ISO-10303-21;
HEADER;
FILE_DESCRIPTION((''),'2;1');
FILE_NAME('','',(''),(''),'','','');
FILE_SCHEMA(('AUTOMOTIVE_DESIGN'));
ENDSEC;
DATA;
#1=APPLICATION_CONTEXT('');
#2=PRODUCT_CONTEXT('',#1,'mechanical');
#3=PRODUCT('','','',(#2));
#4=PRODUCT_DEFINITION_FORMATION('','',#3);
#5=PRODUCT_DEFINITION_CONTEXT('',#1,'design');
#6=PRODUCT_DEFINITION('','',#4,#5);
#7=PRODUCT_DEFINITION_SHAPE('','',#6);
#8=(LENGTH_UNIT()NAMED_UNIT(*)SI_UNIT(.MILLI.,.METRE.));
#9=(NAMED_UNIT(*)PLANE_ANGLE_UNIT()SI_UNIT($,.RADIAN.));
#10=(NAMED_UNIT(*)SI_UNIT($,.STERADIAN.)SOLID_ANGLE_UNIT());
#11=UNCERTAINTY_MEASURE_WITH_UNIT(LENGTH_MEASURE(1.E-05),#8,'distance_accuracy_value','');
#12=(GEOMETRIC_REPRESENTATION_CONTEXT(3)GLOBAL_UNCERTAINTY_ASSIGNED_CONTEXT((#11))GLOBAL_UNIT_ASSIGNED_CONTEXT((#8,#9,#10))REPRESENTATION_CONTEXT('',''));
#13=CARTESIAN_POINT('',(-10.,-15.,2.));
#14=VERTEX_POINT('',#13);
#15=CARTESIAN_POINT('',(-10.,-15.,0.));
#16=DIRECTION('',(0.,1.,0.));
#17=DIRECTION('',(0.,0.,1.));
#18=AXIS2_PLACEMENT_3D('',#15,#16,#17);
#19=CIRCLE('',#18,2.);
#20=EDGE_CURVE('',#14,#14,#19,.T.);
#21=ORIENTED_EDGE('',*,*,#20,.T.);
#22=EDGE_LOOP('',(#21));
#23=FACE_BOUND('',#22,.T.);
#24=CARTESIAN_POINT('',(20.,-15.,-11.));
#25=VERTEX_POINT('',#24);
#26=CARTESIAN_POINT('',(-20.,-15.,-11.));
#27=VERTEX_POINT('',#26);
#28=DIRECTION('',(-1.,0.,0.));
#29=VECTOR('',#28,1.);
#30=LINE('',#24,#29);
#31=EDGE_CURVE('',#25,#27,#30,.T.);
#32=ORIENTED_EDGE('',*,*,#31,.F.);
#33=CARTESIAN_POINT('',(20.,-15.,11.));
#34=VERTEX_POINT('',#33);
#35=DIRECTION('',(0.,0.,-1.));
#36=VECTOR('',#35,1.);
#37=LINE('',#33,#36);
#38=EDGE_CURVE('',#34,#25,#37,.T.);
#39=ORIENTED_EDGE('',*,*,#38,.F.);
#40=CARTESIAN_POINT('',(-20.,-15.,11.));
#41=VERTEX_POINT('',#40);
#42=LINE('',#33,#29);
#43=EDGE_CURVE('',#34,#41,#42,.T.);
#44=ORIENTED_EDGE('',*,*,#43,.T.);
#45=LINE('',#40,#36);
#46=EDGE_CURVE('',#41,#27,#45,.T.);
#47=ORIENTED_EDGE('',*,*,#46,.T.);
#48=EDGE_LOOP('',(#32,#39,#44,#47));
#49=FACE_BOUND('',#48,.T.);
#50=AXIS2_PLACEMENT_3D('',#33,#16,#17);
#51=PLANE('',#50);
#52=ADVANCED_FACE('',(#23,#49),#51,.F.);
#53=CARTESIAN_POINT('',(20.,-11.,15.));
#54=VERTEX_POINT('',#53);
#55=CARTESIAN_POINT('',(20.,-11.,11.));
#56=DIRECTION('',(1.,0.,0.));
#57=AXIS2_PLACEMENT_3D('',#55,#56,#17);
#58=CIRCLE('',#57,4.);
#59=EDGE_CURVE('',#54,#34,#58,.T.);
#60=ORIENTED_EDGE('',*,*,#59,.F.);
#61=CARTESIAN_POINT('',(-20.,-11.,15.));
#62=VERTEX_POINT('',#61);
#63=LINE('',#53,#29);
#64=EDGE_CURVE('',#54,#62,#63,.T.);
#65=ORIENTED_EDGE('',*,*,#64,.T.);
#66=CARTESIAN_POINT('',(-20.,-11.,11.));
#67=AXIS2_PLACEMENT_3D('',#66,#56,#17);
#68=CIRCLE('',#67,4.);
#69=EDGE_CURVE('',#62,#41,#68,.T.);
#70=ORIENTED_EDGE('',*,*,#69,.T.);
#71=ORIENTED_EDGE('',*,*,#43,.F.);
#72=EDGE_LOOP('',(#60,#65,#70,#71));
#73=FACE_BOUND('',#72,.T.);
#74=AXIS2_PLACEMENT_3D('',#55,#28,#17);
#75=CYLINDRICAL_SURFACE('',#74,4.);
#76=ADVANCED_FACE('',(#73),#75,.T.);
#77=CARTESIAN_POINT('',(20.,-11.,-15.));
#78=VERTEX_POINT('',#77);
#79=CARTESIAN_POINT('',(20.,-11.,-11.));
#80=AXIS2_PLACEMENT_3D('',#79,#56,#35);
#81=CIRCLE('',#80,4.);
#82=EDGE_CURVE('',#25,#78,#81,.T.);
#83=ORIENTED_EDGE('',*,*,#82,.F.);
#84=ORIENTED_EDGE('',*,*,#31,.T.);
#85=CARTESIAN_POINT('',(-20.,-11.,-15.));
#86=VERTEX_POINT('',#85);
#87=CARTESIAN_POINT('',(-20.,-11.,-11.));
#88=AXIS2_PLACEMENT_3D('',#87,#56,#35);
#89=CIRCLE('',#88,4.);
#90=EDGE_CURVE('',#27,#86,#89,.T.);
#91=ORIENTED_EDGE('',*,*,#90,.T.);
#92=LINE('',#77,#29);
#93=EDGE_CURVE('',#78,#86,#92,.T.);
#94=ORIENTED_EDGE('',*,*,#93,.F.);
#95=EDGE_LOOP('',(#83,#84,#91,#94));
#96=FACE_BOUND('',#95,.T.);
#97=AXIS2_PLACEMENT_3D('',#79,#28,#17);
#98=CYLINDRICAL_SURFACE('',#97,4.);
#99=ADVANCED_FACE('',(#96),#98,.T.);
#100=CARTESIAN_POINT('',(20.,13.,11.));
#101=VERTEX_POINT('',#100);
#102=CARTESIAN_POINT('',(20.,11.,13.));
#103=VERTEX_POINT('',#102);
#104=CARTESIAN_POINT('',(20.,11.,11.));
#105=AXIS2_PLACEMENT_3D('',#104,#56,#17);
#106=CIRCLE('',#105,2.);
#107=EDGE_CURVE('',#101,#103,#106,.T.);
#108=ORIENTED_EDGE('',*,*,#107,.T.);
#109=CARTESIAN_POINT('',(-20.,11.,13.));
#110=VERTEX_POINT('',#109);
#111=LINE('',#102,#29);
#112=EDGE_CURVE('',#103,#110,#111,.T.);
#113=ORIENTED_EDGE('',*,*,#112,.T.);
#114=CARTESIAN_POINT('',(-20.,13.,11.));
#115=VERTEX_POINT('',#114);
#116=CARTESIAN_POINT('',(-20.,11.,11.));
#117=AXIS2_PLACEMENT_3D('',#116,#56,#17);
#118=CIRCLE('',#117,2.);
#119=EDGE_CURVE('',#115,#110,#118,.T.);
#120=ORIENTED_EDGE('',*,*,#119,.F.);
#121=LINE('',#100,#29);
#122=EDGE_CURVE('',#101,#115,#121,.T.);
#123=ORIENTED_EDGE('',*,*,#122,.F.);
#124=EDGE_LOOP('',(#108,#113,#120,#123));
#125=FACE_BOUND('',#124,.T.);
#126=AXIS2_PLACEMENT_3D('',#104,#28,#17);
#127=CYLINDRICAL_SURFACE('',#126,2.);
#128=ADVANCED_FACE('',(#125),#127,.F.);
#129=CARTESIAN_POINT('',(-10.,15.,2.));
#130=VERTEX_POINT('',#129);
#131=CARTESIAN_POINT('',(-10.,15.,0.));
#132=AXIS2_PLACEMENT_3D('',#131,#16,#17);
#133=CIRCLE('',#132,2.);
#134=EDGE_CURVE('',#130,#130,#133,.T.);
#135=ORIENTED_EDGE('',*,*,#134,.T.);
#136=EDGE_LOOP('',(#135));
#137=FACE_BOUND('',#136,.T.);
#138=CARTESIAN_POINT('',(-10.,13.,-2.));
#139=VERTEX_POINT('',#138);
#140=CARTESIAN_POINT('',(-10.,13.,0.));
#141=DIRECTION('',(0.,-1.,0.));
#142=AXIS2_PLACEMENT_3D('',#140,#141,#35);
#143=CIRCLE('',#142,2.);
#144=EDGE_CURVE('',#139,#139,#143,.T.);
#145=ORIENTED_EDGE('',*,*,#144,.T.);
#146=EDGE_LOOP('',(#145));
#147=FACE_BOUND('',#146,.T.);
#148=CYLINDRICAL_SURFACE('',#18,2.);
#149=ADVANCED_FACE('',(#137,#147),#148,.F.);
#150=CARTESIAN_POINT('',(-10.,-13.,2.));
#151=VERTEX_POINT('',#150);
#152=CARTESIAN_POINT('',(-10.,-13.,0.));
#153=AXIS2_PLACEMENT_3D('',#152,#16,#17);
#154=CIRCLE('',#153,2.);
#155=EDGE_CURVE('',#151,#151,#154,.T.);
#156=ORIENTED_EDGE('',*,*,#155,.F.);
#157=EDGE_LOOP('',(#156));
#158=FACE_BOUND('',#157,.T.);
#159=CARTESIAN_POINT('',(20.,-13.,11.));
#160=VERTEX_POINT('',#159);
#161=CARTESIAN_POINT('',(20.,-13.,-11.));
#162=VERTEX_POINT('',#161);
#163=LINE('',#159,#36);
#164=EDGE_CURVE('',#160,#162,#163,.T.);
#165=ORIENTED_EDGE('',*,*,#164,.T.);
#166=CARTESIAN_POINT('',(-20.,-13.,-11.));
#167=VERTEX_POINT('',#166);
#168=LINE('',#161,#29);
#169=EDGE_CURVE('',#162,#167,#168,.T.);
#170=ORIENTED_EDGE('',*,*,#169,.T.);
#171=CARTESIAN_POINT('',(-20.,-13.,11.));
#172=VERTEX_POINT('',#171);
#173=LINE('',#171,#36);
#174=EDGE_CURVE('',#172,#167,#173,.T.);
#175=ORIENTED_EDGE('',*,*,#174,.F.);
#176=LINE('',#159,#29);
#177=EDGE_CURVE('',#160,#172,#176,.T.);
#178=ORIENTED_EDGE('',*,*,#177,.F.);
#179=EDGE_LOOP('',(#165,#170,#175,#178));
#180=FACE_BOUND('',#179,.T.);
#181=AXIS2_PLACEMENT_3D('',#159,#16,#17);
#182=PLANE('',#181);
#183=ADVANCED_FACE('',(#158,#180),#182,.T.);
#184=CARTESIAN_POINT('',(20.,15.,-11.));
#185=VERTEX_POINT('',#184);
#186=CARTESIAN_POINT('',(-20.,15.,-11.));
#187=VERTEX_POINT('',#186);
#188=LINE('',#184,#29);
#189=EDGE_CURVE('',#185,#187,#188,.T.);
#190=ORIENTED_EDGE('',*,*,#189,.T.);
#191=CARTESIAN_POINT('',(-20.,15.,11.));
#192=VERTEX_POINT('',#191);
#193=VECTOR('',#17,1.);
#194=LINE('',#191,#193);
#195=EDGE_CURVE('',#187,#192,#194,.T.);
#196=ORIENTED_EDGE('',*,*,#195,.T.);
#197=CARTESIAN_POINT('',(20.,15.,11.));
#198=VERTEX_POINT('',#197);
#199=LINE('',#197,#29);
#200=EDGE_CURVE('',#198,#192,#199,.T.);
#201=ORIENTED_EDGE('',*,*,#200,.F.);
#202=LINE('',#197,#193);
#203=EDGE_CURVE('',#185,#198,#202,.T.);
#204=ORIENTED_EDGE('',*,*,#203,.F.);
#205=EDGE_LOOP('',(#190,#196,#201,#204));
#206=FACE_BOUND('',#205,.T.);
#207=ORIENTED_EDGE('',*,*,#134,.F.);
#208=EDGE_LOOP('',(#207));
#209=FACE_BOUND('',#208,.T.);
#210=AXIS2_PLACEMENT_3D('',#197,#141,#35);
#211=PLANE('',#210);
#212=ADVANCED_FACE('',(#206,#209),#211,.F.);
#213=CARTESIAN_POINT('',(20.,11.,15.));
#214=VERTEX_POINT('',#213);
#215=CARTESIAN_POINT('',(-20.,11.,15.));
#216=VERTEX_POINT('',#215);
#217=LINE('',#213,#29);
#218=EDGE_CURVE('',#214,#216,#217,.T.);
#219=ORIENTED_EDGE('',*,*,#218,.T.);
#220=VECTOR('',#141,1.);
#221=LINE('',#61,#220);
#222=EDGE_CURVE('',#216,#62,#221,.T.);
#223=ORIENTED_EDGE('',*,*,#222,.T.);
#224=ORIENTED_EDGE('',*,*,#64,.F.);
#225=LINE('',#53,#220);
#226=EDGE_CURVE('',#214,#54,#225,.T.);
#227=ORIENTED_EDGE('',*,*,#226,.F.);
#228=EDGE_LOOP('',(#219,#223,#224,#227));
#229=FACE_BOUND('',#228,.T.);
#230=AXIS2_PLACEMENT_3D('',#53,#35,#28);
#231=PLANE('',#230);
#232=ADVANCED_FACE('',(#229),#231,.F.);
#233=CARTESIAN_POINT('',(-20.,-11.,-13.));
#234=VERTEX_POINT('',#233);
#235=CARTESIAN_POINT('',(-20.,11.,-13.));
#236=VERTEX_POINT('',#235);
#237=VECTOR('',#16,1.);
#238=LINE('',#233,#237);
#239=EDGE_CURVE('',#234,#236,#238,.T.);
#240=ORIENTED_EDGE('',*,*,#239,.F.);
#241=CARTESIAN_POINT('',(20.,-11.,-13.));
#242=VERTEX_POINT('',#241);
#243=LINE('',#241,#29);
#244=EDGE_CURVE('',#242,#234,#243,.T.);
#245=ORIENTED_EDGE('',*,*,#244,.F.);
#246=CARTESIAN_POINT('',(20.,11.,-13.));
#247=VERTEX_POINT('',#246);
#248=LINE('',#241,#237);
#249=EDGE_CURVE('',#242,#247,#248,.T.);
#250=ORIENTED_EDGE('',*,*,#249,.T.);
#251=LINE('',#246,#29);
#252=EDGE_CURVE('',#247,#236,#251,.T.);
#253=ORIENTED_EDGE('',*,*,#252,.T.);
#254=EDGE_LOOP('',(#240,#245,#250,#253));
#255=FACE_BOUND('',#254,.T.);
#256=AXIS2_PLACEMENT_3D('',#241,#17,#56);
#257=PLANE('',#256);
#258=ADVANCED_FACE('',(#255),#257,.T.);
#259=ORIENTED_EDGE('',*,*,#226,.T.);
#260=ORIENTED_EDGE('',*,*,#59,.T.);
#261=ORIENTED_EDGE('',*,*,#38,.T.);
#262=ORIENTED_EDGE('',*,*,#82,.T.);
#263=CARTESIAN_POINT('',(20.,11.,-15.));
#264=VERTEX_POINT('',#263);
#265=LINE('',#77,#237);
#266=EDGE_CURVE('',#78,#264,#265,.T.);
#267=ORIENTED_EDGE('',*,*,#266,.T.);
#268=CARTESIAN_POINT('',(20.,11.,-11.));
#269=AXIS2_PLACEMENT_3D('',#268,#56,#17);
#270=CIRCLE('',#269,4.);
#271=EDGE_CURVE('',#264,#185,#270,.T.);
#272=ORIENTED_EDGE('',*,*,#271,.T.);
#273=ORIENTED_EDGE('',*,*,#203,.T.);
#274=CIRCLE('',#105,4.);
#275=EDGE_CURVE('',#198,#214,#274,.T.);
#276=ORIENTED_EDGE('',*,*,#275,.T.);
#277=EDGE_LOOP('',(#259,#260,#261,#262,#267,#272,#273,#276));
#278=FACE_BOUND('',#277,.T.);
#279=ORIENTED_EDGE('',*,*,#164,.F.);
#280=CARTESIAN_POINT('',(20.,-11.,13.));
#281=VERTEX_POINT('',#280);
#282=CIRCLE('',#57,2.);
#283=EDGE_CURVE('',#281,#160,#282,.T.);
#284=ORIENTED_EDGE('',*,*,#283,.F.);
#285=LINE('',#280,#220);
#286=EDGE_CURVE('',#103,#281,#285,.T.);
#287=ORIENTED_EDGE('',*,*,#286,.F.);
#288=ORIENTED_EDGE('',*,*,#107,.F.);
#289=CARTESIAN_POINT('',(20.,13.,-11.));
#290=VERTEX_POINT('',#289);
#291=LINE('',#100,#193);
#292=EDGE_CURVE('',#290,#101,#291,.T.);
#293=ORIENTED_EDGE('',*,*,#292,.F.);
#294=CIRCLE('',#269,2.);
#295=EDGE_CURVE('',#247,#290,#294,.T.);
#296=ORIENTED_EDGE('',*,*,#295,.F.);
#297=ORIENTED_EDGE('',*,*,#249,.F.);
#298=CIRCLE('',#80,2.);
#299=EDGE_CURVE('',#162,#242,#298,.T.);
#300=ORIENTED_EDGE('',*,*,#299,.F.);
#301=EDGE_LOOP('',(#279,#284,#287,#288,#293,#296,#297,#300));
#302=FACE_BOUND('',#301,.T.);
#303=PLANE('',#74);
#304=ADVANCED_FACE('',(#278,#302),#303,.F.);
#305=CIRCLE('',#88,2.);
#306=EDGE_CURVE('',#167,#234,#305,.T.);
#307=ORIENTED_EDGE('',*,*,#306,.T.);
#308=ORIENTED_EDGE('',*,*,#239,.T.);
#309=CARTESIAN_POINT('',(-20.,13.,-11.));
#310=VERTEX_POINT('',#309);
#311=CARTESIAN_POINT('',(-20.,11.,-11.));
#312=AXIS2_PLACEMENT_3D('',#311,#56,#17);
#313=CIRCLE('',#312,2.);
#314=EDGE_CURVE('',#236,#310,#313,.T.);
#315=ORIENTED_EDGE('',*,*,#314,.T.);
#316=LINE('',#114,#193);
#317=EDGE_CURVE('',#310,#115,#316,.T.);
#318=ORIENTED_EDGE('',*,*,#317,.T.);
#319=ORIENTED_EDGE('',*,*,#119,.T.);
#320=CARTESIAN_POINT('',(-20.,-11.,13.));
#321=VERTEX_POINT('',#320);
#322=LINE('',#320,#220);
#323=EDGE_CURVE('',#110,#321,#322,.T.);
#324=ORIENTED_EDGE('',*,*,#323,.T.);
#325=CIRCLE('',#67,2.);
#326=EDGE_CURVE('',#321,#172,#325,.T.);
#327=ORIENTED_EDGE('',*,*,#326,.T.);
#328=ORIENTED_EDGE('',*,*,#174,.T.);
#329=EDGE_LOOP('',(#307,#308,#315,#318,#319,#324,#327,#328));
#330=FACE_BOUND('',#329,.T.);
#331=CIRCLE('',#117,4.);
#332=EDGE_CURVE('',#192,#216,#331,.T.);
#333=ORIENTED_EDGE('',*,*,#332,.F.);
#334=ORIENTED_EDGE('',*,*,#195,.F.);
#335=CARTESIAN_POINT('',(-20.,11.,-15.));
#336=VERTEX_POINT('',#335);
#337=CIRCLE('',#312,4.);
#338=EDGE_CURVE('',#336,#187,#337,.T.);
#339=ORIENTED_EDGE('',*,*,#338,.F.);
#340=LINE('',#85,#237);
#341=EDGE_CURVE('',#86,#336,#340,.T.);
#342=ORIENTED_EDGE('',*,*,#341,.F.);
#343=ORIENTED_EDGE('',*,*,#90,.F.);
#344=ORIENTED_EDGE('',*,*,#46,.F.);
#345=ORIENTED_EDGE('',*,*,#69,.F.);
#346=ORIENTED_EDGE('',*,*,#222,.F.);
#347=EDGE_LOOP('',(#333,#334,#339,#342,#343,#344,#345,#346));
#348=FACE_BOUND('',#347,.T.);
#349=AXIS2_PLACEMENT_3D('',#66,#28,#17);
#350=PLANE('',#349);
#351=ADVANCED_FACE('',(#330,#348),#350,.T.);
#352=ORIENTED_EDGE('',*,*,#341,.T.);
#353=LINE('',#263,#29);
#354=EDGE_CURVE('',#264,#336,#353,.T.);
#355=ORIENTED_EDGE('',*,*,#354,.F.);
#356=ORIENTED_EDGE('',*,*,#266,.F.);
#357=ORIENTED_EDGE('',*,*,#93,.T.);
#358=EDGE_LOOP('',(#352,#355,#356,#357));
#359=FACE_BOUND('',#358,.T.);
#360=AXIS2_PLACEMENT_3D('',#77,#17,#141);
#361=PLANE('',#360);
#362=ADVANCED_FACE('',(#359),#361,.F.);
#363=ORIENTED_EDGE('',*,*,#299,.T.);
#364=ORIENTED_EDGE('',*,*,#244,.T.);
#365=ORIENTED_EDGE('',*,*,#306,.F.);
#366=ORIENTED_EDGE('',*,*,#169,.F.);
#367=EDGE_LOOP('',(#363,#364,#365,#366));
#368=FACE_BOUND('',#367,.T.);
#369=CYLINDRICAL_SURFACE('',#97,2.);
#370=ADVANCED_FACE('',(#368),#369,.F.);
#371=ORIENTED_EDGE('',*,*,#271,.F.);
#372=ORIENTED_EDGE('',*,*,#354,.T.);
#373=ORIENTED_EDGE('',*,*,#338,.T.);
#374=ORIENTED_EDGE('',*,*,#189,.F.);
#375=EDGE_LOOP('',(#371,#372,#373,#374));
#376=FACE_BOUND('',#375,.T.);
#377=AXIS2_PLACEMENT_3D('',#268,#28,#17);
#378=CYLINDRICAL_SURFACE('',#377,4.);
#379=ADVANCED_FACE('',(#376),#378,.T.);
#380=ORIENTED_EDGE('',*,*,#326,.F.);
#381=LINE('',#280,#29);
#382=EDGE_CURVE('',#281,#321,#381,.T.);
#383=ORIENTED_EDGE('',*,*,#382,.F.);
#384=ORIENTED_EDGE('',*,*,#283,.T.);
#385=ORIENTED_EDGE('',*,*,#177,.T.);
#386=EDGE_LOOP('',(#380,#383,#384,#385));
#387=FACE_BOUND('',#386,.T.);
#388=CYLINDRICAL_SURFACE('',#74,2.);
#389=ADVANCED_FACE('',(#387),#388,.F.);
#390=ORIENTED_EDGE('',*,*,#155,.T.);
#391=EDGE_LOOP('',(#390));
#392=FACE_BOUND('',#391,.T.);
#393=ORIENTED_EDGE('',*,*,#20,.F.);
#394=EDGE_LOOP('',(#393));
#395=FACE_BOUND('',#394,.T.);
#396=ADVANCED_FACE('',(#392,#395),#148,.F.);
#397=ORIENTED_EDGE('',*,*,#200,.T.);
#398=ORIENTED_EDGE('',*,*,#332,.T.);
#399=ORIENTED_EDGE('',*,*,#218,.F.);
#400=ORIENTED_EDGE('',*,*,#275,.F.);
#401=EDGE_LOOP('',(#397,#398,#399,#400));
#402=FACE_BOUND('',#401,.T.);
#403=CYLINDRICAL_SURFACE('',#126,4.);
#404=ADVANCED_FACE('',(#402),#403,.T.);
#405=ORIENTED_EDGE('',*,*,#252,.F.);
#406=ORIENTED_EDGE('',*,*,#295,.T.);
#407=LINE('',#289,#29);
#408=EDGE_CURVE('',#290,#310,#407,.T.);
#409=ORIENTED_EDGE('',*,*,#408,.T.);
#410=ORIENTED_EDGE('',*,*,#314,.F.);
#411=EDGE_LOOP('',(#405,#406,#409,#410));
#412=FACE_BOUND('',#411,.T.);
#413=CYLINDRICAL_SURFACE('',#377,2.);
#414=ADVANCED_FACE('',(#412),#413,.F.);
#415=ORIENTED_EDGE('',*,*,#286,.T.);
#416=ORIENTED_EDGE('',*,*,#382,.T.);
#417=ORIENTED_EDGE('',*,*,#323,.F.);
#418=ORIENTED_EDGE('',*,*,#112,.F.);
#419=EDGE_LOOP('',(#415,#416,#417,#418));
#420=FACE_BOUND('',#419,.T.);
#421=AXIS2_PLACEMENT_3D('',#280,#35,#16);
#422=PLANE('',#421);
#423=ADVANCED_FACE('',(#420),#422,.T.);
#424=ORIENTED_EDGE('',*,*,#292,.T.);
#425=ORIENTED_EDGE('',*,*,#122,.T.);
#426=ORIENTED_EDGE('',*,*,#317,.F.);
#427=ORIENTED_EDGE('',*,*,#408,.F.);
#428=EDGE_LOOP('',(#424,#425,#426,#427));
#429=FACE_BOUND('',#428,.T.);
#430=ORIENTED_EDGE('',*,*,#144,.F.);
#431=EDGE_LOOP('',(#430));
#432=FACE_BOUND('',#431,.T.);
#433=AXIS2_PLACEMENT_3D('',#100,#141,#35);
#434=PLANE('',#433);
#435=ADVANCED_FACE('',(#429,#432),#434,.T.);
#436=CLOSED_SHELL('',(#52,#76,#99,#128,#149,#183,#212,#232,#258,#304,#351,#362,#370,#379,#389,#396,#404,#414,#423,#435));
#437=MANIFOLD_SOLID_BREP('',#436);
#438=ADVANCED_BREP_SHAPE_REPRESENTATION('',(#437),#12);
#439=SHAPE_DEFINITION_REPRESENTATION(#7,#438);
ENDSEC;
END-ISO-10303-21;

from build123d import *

# Parameters (mm, degrees)
EXTRUDE_1_DEPTH          = 20
CUT_EXTRUDE_1_DEPTH      = 30.154759474
CUT_EXTRUDE_1_DEPTH_BACK = 30.154759474
SKETCH_2_R               = 2


with BuildPart() as part:
    # 草图1 → 凸台-拉伸1 (new, symmetric)
    with BuildSketch(Plane(origin=(0, 0, 0), x_dir=(0, 0, -1), z_dir=(1, 0, 0))):
        with BuildLine():
            Line((-11, -15), (11, -15))
            ThreePointArc((11, -15), (13.828427125, -13.828427125), (15, -11))
            Line((15, -11), (15, 11))
            ThreePointArc((15, 11), (13.828427125, 13.828427125), (11, 15))
            Line((11, 15), (-11, 15))
            ThreePointArc((-11, 15), (-13.828427125, 13.828427125), (-15, 11))
            Line((-15, 11), (-15, -11))
            ThreePointArc((-15, -11), (-13.828427125, -13.828427125), (-11, -15))
        make_face()
        with BuildLine():
            Line((-11, -13), (11, -13))
            ThreePointArc((11, -13), (12.414213562, -12.414213562), (13, -11))
            Line((13, -11), (13, 11))
            ThreePointArc((13, 11), (12.414213562, 12.414213562), (11, 13))
            Line((11, 13), (-11, 13))
            ThreePointArc((-11, 13), (-12.414213562, 12.414213562), (-13, 11))
            Line((-13, 11), (-13, -11))
            ThreePointArc((-13, -11), (-12.414213562, -12.414213562), (-11, -13))
        make_face(mode=Mode.SUBTRACT)
    extrude(amount=EXTRUDE_1_DEPTH, both=True)

    # 草图2 → 切除-拉伸1 (cut, two sides: drawn at the far end of the back side and taken through both)
    with BuildSketch(Plane(origin=(0, 0, 0), x_dir=(1, 0, 0), z_dir=(0, 1, 0)).offset(-CUT_EXTRUDE_1_DEPTH_BACK)):
        with Locations(Location((-10, 0, 0), (0, 0, 270))):
            Circle(SKETCH_2_R)
    extrude(amount=CUT_EXTRUDE_1_DEPTH + CUT_EXTRUDE_1_DEPTH_BACK, mode=Mode.SUBTRACT)


solid = part.part
